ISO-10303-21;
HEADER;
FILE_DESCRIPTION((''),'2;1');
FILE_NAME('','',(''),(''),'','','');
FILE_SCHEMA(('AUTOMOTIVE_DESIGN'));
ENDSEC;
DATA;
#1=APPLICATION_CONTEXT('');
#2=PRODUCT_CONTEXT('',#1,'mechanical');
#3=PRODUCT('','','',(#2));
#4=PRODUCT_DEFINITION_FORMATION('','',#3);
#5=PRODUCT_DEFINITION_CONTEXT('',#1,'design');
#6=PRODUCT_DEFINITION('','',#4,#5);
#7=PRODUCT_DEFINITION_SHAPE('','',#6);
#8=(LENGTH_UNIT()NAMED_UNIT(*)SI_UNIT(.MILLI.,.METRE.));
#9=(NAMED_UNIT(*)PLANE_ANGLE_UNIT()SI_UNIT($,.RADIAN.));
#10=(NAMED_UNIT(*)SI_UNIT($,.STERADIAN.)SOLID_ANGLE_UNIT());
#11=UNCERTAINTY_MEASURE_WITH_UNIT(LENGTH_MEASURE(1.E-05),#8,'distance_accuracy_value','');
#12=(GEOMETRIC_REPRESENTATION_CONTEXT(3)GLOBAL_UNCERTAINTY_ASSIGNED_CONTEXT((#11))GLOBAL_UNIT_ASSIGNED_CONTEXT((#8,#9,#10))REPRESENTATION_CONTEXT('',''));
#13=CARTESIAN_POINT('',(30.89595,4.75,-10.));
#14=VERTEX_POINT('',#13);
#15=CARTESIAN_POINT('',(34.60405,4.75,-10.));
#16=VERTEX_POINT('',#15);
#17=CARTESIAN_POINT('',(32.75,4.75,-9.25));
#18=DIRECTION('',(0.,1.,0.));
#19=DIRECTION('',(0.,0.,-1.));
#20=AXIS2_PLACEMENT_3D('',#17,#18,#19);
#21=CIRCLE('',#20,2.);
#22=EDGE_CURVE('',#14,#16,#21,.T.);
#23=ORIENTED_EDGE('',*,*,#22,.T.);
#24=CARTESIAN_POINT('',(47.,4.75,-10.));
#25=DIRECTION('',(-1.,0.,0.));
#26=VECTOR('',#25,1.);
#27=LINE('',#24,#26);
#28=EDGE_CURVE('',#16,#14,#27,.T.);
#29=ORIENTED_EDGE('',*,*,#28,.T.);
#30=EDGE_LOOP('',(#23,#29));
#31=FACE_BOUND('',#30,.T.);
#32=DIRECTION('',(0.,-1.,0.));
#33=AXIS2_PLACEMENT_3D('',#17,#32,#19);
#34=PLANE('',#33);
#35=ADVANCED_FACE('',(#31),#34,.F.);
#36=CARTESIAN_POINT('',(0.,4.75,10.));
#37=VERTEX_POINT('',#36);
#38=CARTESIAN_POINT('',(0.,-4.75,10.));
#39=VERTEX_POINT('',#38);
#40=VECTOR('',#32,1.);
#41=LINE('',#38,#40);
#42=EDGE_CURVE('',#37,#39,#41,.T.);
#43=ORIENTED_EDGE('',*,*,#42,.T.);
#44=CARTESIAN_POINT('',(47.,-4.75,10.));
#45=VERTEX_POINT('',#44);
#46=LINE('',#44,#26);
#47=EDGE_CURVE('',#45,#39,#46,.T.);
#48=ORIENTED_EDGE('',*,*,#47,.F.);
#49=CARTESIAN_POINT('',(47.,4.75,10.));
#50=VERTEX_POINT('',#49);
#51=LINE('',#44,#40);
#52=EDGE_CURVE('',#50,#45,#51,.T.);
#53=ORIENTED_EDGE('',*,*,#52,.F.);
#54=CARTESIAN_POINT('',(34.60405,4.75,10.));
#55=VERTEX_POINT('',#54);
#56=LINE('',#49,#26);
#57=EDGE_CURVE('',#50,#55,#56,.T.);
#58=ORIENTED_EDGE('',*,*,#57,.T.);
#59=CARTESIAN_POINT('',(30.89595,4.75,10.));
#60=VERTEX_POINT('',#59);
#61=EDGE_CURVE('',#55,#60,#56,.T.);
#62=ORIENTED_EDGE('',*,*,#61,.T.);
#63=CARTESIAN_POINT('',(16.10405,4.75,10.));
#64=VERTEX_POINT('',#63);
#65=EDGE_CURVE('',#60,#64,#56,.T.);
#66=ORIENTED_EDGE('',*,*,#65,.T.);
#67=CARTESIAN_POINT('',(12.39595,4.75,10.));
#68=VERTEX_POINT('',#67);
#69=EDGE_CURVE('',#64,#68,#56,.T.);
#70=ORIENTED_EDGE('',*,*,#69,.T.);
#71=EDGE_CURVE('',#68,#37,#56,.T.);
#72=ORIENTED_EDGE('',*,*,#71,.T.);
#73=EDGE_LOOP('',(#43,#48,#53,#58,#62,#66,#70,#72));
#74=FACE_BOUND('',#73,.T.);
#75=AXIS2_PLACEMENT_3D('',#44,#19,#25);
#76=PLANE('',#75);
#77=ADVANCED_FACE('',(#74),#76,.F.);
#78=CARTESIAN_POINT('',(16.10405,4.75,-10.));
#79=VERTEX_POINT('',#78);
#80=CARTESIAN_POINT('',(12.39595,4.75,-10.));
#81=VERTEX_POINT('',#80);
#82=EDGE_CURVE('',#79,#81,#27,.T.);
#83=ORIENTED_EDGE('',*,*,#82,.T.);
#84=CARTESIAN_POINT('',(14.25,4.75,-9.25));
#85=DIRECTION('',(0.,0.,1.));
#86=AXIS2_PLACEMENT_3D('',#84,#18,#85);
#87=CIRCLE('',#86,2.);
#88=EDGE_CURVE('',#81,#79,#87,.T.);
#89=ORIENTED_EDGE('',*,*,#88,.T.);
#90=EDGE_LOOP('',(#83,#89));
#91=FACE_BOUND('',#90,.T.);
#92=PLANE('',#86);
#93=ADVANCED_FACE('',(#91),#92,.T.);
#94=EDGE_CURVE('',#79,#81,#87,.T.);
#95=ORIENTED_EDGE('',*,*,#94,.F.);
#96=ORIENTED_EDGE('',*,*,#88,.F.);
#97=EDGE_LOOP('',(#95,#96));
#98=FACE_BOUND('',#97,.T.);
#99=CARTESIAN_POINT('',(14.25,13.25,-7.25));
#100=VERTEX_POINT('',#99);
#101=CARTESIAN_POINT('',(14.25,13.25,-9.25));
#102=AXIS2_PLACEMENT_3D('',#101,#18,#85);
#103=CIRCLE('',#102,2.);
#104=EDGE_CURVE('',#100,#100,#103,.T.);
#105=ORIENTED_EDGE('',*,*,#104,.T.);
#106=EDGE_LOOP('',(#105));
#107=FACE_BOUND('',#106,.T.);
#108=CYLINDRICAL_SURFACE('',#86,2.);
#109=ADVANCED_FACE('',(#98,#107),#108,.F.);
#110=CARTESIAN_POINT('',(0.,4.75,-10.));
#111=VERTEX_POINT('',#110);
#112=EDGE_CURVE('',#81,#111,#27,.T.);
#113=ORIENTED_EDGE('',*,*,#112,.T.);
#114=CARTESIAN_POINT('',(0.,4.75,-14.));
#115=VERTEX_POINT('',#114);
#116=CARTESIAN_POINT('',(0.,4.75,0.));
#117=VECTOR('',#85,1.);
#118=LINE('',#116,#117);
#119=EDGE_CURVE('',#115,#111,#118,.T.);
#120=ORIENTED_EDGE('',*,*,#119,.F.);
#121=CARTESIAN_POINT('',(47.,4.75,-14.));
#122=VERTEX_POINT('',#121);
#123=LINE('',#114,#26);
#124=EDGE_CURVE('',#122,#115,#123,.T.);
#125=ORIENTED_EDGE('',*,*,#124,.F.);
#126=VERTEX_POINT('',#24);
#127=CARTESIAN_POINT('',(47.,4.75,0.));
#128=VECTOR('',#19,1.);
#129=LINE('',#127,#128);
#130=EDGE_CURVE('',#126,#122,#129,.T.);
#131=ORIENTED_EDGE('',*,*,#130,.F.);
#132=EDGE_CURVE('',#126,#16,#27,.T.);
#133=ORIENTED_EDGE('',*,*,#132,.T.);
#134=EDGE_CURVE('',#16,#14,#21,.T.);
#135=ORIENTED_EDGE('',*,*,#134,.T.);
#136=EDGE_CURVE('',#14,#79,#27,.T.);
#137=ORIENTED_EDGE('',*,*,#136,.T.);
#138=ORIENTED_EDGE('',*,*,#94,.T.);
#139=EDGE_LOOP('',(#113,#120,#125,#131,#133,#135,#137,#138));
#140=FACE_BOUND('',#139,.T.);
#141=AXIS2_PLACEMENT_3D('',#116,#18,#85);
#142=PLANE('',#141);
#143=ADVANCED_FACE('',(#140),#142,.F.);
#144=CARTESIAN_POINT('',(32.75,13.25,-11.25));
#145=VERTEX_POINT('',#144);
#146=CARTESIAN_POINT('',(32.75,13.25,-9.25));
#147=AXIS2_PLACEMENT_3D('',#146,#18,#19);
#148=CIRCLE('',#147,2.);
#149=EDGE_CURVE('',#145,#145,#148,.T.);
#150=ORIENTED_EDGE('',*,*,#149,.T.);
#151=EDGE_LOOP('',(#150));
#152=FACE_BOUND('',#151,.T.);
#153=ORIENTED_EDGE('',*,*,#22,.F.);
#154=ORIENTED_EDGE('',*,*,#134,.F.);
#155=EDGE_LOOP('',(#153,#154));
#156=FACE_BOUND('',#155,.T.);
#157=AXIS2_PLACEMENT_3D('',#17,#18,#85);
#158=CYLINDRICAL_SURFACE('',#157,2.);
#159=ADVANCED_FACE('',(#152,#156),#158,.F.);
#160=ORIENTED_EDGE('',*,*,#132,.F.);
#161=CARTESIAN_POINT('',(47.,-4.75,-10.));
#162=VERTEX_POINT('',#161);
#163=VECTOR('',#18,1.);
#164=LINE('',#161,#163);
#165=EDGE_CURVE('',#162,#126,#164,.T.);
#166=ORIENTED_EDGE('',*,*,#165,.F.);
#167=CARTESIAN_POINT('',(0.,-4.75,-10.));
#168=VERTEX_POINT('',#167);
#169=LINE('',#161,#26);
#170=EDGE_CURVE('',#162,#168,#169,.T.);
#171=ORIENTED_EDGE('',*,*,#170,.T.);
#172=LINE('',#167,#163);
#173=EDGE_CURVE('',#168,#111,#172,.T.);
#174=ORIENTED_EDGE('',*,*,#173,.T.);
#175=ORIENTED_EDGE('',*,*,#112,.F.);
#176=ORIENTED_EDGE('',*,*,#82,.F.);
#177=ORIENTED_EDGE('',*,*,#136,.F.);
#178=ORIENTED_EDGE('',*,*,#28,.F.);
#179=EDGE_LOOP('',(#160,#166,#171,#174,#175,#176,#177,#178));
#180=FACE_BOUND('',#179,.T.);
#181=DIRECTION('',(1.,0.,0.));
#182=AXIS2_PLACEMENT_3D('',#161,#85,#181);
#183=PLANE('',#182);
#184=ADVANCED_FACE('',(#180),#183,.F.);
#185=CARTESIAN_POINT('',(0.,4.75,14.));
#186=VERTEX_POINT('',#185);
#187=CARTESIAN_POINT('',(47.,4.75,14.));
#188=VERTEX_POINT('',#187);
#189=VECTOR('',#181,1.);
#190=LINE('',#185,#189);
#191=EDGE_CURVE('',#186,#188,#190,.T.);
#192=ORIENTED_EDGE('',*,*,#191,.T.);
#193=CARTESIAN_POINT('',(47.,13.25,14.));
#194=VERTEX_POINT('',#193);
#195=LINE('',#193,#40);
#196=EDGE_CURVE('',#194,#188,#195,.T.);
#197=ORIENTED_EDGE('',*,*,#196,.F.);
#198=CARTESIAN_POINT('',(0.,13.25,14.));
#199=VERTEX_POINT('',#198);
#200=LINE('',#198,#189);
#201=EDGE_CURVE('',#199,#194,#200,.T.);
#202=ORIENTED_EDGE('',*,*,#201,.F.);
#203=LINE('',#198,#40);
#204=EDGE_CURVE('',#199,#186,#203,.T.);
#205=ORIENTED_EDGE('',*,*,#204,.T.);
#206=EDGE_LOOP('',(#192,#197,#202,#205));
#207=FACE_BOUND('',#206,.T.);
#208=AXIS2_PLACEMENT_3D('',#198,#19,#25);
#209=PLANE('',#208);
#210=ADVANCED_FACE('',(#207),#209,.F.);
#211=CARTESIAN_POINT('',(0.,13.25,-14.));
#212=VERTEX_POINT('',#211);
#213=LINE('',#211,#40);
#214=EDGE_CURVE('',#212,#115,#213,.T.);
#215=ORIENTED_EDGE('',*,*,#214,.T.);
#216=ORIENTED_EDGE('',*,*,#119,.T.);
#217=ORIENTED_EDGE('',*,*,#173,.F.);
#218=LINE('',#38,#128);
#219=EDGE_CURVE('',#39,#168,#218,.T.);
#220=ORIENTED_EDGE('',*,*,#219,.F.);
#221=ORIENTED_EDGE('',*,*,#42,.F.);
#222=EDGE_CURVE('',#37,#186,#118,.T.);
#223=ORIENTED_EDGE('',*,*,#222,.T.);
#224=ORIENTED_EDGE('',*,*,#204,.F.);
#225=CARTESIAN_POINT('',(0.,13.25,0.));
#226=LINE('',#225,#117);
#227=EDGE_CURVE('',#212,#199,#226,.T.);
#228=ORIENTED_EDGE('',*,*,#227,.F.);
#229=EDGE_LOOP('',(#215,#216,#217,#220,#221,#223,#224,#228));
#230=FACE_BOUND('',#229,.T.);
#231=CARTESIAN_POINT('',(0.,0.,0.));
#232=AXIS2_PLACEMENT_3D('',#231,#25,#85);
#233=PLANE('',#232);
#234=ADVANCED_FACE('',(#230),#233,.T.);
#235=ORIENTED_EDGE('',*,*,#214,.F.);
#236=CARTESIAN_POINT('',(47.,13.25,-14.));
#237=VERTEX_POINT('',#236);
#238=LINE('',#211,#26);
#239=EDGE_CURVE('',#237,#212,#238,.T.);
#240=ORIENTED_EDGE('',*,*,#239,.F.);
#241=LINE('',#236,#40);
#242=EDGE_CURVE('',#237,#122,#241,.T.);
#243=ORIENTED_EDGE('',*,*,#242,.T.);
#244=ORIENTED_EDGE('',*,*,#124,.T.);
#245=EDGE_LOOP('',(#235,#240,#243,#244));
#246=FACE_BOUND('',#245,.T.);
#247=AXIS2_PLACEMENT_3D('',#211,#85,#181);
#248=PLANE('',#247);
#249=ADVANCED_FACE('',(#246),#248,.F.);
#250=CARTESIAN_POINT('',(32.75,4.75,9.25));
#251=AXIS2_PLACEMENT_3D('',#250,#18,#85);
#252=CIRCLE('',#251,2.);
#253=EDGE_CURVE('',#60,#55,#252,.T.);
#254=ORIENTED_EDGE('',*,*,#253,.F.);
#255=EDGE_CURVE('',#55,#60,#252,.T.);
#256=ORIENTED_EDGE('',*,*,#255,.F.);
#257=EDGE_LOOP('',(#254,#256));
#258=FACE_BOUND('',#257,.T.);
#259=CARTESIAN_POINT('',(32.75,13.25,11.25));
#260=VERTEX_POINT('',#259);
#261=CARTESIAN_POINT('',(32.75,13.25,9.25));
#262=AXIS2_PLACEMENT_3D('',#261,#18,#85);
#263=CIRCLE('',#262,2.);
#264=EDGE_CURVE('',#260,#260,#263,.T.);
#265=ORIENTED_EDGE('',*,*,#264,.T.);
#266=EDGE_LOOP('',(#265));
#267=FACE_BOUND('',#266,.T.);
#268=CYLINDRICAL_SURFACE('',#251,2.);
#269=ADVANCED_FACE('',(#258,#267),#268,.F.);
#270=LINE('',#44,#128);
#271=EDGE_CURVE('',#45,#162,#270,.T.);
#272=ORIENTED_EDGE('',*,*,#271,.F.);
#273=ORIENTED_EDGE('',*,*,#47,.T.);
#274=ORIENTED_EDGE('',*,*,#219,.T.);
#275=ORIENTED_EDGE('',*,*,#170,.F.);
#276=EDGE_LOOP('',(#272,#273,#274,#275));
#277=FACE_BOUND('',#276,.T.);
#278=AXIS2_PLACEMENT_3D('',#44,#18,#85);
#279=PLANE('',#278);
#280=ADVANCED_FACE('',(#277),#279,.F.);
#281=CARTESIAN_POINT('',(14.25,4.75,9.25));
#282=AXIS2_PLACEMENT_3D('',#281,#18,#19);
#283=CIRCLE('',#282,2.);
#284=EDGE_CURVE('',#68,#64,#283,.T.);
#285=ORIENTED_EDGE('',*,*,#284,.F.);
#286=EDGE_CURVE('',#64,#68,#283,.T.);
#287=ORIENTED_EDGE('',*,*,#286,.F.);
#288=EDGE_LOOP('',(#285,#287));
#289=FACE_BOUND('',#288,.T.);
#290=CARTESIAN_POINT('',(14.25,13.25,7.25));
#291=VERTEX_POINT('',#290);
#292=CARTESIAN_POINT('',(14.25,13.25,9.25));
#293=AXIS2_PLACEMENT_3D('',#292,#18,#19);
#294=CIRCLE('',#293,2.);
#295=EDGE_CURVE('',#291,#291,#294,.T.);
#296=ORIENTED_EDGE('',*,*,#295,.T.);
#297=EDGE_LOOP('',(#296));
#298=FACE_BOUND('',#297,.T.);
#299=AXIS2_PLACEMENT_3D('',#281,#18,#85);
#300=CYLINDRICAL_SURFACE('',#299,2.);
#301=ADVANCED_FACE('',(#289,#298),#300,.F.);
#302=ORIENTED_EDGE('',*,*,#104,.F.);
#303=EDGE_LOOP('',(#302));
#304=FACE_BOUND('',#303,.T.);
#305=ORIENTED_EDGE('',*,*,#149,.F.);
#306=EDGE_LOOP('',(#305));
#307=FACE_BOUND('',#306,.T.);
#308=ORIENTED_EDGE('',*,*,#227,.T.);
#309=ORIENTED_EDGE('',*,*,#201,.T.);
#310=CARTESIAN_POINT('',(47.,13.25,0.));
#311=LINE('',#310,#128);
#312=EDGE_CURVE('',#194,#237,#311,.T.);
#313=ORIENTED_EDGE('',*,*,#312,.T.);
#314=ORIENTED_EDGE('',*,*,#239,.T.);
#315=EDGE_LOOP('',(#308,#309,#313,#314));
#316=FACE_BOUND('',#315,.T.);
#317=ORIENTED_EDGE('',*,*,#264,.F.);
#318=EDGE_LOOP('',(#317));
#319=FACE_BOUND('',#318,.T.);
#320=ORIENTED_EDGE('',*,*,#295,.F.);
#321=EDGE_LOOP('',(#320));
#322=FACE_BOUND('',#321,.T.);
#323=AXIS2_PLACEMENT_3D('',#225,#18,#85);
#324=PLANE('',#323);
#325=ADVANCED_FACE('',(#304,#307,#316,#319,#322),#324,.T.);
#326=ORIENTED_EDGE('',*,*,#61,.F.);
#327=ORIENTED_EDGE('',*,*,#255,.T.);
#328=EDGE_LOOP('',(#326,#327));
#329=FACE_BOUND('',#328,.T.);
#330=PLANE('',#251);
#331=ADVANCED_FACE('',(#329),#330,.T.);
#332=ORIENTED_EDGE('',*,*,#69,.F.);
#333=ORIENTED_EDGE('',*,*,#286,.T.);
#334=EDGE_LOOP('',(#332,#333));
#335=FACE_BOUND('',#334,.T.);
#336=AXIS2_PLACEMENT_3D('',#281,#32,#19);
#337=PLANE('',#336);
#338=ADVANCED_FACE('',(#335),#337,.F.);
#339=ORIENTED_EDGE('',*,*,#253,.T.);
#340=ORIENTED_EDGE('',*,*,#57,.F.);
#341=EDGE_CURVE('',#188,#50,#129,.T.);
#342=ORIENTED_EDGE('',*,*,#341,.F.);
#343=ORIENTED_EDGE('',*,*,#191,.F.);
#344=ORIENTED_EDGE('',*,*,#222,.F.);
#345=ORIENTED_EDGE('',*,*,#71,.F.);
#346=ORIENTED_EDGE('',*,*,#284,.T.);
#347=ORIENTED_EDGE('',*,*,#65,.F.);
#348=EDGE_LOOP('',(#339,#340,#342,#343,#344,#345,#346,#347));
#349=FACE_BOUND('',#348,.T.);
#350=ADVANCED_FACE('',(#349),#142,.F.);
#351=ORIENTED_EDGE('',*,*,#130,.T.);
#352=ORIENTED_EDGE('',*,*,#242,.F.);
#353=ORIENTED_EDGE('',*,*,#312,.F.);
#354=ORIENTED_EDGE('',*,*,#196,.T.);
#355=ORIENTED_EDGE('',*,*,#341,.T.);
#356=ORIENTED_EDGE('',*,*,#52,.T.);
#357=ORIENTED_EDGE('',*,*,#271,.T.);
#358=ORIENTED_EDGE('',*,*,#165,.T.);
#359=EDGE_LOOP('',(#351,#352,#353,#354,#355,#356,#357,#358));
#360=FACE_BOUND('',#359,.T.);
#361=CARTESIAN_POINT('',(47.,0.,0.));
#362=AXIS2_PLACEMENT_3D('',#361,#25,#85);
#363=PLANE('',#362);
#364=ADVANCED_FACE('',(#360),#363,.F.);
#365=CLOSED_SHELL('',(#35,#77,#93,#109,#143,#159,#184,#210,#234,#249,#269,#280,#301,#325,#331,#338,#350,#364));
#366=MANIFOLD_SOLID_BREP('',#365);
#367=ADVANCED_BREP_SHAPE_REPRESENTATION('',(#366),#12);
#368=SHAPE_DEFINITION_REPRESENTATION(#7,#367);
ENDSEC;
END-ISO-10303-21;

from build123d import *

# Parameters (mm, degrees)
SKETCH_1_W          = 20
SKETCH_1_H          = 9.5
EXTRUDE_1_DEPTH     = 47
SKETCH_2_W          = 47
SKETCH_2_H          = 20
SKETCH_2_H_2        = 4
EXTRUDE_2_DEPTH     = 8.5
SKETCH_3_R          = 2
CUT_EXTRUDE_1_DEPTH = 8.5


with BuildPart() as part:
    # 草图1 → 凸台-拉伸1 (new body)
    with BuildSketch(Plane(origin=(0, 0, 0), x_dir=(0, 0, -1), z_dir=(1, 0, 0))):
        Rectangle(SKETCH_1_W, SKETCH_1_H)
    extrude(amount=EXTRUDE_1_DEPTH)

    # 草图2 → 凸台-拉伸2 (add)
    with BuildSketch(Plane(origin=(0, 4.75, 0), x_dir=(1, 0, 0), z_dir=(0, 1, 0))):
        with Locations((23.5, 0)):
            Rectangle(SKETCH_2_W, SKETCH_2_H)
        with Locations((23.5, 12)):
            Rectangle(SKETCH_2_W, SKETCH_2_H_2)
        with Locations((23.5, -12)):
            Rectangle(SKETCH_2_W, SKETCH_2_H_2)
    extrude(amount=EXTRUDE_2_DEPTH)

    # 草图3 → 切除-拉伸1 (cut)
    with BuildSketch(Plane(origin=(0, 13.25, 0), x_dir=(1, 0, 0), z_dir=(0, 1, 0))):
        with Locations(Location((14.25, 9.25, 0), (0, 0, 270))):
            Circle(SKETCH_3_R)
        with Locations(Location((32.75, 9.25, 0), (0, 0, 22.024312837))):
            Circle(SKETCH_3_R)
        with Locations(Location((32.75, -9.25, 0), (0, 0, 270))):
            Circle(SKETCH_3_R)
        with Locations(Location((14.25, -9.25, 0), (0, 0, 337.975687163))):
            Circle(SKETCH_3_R)
    extrude(amount=-CUT_EXTRUDE_1_DEPTH, mode=Mode.SUBTRACT)


solid = part.part
